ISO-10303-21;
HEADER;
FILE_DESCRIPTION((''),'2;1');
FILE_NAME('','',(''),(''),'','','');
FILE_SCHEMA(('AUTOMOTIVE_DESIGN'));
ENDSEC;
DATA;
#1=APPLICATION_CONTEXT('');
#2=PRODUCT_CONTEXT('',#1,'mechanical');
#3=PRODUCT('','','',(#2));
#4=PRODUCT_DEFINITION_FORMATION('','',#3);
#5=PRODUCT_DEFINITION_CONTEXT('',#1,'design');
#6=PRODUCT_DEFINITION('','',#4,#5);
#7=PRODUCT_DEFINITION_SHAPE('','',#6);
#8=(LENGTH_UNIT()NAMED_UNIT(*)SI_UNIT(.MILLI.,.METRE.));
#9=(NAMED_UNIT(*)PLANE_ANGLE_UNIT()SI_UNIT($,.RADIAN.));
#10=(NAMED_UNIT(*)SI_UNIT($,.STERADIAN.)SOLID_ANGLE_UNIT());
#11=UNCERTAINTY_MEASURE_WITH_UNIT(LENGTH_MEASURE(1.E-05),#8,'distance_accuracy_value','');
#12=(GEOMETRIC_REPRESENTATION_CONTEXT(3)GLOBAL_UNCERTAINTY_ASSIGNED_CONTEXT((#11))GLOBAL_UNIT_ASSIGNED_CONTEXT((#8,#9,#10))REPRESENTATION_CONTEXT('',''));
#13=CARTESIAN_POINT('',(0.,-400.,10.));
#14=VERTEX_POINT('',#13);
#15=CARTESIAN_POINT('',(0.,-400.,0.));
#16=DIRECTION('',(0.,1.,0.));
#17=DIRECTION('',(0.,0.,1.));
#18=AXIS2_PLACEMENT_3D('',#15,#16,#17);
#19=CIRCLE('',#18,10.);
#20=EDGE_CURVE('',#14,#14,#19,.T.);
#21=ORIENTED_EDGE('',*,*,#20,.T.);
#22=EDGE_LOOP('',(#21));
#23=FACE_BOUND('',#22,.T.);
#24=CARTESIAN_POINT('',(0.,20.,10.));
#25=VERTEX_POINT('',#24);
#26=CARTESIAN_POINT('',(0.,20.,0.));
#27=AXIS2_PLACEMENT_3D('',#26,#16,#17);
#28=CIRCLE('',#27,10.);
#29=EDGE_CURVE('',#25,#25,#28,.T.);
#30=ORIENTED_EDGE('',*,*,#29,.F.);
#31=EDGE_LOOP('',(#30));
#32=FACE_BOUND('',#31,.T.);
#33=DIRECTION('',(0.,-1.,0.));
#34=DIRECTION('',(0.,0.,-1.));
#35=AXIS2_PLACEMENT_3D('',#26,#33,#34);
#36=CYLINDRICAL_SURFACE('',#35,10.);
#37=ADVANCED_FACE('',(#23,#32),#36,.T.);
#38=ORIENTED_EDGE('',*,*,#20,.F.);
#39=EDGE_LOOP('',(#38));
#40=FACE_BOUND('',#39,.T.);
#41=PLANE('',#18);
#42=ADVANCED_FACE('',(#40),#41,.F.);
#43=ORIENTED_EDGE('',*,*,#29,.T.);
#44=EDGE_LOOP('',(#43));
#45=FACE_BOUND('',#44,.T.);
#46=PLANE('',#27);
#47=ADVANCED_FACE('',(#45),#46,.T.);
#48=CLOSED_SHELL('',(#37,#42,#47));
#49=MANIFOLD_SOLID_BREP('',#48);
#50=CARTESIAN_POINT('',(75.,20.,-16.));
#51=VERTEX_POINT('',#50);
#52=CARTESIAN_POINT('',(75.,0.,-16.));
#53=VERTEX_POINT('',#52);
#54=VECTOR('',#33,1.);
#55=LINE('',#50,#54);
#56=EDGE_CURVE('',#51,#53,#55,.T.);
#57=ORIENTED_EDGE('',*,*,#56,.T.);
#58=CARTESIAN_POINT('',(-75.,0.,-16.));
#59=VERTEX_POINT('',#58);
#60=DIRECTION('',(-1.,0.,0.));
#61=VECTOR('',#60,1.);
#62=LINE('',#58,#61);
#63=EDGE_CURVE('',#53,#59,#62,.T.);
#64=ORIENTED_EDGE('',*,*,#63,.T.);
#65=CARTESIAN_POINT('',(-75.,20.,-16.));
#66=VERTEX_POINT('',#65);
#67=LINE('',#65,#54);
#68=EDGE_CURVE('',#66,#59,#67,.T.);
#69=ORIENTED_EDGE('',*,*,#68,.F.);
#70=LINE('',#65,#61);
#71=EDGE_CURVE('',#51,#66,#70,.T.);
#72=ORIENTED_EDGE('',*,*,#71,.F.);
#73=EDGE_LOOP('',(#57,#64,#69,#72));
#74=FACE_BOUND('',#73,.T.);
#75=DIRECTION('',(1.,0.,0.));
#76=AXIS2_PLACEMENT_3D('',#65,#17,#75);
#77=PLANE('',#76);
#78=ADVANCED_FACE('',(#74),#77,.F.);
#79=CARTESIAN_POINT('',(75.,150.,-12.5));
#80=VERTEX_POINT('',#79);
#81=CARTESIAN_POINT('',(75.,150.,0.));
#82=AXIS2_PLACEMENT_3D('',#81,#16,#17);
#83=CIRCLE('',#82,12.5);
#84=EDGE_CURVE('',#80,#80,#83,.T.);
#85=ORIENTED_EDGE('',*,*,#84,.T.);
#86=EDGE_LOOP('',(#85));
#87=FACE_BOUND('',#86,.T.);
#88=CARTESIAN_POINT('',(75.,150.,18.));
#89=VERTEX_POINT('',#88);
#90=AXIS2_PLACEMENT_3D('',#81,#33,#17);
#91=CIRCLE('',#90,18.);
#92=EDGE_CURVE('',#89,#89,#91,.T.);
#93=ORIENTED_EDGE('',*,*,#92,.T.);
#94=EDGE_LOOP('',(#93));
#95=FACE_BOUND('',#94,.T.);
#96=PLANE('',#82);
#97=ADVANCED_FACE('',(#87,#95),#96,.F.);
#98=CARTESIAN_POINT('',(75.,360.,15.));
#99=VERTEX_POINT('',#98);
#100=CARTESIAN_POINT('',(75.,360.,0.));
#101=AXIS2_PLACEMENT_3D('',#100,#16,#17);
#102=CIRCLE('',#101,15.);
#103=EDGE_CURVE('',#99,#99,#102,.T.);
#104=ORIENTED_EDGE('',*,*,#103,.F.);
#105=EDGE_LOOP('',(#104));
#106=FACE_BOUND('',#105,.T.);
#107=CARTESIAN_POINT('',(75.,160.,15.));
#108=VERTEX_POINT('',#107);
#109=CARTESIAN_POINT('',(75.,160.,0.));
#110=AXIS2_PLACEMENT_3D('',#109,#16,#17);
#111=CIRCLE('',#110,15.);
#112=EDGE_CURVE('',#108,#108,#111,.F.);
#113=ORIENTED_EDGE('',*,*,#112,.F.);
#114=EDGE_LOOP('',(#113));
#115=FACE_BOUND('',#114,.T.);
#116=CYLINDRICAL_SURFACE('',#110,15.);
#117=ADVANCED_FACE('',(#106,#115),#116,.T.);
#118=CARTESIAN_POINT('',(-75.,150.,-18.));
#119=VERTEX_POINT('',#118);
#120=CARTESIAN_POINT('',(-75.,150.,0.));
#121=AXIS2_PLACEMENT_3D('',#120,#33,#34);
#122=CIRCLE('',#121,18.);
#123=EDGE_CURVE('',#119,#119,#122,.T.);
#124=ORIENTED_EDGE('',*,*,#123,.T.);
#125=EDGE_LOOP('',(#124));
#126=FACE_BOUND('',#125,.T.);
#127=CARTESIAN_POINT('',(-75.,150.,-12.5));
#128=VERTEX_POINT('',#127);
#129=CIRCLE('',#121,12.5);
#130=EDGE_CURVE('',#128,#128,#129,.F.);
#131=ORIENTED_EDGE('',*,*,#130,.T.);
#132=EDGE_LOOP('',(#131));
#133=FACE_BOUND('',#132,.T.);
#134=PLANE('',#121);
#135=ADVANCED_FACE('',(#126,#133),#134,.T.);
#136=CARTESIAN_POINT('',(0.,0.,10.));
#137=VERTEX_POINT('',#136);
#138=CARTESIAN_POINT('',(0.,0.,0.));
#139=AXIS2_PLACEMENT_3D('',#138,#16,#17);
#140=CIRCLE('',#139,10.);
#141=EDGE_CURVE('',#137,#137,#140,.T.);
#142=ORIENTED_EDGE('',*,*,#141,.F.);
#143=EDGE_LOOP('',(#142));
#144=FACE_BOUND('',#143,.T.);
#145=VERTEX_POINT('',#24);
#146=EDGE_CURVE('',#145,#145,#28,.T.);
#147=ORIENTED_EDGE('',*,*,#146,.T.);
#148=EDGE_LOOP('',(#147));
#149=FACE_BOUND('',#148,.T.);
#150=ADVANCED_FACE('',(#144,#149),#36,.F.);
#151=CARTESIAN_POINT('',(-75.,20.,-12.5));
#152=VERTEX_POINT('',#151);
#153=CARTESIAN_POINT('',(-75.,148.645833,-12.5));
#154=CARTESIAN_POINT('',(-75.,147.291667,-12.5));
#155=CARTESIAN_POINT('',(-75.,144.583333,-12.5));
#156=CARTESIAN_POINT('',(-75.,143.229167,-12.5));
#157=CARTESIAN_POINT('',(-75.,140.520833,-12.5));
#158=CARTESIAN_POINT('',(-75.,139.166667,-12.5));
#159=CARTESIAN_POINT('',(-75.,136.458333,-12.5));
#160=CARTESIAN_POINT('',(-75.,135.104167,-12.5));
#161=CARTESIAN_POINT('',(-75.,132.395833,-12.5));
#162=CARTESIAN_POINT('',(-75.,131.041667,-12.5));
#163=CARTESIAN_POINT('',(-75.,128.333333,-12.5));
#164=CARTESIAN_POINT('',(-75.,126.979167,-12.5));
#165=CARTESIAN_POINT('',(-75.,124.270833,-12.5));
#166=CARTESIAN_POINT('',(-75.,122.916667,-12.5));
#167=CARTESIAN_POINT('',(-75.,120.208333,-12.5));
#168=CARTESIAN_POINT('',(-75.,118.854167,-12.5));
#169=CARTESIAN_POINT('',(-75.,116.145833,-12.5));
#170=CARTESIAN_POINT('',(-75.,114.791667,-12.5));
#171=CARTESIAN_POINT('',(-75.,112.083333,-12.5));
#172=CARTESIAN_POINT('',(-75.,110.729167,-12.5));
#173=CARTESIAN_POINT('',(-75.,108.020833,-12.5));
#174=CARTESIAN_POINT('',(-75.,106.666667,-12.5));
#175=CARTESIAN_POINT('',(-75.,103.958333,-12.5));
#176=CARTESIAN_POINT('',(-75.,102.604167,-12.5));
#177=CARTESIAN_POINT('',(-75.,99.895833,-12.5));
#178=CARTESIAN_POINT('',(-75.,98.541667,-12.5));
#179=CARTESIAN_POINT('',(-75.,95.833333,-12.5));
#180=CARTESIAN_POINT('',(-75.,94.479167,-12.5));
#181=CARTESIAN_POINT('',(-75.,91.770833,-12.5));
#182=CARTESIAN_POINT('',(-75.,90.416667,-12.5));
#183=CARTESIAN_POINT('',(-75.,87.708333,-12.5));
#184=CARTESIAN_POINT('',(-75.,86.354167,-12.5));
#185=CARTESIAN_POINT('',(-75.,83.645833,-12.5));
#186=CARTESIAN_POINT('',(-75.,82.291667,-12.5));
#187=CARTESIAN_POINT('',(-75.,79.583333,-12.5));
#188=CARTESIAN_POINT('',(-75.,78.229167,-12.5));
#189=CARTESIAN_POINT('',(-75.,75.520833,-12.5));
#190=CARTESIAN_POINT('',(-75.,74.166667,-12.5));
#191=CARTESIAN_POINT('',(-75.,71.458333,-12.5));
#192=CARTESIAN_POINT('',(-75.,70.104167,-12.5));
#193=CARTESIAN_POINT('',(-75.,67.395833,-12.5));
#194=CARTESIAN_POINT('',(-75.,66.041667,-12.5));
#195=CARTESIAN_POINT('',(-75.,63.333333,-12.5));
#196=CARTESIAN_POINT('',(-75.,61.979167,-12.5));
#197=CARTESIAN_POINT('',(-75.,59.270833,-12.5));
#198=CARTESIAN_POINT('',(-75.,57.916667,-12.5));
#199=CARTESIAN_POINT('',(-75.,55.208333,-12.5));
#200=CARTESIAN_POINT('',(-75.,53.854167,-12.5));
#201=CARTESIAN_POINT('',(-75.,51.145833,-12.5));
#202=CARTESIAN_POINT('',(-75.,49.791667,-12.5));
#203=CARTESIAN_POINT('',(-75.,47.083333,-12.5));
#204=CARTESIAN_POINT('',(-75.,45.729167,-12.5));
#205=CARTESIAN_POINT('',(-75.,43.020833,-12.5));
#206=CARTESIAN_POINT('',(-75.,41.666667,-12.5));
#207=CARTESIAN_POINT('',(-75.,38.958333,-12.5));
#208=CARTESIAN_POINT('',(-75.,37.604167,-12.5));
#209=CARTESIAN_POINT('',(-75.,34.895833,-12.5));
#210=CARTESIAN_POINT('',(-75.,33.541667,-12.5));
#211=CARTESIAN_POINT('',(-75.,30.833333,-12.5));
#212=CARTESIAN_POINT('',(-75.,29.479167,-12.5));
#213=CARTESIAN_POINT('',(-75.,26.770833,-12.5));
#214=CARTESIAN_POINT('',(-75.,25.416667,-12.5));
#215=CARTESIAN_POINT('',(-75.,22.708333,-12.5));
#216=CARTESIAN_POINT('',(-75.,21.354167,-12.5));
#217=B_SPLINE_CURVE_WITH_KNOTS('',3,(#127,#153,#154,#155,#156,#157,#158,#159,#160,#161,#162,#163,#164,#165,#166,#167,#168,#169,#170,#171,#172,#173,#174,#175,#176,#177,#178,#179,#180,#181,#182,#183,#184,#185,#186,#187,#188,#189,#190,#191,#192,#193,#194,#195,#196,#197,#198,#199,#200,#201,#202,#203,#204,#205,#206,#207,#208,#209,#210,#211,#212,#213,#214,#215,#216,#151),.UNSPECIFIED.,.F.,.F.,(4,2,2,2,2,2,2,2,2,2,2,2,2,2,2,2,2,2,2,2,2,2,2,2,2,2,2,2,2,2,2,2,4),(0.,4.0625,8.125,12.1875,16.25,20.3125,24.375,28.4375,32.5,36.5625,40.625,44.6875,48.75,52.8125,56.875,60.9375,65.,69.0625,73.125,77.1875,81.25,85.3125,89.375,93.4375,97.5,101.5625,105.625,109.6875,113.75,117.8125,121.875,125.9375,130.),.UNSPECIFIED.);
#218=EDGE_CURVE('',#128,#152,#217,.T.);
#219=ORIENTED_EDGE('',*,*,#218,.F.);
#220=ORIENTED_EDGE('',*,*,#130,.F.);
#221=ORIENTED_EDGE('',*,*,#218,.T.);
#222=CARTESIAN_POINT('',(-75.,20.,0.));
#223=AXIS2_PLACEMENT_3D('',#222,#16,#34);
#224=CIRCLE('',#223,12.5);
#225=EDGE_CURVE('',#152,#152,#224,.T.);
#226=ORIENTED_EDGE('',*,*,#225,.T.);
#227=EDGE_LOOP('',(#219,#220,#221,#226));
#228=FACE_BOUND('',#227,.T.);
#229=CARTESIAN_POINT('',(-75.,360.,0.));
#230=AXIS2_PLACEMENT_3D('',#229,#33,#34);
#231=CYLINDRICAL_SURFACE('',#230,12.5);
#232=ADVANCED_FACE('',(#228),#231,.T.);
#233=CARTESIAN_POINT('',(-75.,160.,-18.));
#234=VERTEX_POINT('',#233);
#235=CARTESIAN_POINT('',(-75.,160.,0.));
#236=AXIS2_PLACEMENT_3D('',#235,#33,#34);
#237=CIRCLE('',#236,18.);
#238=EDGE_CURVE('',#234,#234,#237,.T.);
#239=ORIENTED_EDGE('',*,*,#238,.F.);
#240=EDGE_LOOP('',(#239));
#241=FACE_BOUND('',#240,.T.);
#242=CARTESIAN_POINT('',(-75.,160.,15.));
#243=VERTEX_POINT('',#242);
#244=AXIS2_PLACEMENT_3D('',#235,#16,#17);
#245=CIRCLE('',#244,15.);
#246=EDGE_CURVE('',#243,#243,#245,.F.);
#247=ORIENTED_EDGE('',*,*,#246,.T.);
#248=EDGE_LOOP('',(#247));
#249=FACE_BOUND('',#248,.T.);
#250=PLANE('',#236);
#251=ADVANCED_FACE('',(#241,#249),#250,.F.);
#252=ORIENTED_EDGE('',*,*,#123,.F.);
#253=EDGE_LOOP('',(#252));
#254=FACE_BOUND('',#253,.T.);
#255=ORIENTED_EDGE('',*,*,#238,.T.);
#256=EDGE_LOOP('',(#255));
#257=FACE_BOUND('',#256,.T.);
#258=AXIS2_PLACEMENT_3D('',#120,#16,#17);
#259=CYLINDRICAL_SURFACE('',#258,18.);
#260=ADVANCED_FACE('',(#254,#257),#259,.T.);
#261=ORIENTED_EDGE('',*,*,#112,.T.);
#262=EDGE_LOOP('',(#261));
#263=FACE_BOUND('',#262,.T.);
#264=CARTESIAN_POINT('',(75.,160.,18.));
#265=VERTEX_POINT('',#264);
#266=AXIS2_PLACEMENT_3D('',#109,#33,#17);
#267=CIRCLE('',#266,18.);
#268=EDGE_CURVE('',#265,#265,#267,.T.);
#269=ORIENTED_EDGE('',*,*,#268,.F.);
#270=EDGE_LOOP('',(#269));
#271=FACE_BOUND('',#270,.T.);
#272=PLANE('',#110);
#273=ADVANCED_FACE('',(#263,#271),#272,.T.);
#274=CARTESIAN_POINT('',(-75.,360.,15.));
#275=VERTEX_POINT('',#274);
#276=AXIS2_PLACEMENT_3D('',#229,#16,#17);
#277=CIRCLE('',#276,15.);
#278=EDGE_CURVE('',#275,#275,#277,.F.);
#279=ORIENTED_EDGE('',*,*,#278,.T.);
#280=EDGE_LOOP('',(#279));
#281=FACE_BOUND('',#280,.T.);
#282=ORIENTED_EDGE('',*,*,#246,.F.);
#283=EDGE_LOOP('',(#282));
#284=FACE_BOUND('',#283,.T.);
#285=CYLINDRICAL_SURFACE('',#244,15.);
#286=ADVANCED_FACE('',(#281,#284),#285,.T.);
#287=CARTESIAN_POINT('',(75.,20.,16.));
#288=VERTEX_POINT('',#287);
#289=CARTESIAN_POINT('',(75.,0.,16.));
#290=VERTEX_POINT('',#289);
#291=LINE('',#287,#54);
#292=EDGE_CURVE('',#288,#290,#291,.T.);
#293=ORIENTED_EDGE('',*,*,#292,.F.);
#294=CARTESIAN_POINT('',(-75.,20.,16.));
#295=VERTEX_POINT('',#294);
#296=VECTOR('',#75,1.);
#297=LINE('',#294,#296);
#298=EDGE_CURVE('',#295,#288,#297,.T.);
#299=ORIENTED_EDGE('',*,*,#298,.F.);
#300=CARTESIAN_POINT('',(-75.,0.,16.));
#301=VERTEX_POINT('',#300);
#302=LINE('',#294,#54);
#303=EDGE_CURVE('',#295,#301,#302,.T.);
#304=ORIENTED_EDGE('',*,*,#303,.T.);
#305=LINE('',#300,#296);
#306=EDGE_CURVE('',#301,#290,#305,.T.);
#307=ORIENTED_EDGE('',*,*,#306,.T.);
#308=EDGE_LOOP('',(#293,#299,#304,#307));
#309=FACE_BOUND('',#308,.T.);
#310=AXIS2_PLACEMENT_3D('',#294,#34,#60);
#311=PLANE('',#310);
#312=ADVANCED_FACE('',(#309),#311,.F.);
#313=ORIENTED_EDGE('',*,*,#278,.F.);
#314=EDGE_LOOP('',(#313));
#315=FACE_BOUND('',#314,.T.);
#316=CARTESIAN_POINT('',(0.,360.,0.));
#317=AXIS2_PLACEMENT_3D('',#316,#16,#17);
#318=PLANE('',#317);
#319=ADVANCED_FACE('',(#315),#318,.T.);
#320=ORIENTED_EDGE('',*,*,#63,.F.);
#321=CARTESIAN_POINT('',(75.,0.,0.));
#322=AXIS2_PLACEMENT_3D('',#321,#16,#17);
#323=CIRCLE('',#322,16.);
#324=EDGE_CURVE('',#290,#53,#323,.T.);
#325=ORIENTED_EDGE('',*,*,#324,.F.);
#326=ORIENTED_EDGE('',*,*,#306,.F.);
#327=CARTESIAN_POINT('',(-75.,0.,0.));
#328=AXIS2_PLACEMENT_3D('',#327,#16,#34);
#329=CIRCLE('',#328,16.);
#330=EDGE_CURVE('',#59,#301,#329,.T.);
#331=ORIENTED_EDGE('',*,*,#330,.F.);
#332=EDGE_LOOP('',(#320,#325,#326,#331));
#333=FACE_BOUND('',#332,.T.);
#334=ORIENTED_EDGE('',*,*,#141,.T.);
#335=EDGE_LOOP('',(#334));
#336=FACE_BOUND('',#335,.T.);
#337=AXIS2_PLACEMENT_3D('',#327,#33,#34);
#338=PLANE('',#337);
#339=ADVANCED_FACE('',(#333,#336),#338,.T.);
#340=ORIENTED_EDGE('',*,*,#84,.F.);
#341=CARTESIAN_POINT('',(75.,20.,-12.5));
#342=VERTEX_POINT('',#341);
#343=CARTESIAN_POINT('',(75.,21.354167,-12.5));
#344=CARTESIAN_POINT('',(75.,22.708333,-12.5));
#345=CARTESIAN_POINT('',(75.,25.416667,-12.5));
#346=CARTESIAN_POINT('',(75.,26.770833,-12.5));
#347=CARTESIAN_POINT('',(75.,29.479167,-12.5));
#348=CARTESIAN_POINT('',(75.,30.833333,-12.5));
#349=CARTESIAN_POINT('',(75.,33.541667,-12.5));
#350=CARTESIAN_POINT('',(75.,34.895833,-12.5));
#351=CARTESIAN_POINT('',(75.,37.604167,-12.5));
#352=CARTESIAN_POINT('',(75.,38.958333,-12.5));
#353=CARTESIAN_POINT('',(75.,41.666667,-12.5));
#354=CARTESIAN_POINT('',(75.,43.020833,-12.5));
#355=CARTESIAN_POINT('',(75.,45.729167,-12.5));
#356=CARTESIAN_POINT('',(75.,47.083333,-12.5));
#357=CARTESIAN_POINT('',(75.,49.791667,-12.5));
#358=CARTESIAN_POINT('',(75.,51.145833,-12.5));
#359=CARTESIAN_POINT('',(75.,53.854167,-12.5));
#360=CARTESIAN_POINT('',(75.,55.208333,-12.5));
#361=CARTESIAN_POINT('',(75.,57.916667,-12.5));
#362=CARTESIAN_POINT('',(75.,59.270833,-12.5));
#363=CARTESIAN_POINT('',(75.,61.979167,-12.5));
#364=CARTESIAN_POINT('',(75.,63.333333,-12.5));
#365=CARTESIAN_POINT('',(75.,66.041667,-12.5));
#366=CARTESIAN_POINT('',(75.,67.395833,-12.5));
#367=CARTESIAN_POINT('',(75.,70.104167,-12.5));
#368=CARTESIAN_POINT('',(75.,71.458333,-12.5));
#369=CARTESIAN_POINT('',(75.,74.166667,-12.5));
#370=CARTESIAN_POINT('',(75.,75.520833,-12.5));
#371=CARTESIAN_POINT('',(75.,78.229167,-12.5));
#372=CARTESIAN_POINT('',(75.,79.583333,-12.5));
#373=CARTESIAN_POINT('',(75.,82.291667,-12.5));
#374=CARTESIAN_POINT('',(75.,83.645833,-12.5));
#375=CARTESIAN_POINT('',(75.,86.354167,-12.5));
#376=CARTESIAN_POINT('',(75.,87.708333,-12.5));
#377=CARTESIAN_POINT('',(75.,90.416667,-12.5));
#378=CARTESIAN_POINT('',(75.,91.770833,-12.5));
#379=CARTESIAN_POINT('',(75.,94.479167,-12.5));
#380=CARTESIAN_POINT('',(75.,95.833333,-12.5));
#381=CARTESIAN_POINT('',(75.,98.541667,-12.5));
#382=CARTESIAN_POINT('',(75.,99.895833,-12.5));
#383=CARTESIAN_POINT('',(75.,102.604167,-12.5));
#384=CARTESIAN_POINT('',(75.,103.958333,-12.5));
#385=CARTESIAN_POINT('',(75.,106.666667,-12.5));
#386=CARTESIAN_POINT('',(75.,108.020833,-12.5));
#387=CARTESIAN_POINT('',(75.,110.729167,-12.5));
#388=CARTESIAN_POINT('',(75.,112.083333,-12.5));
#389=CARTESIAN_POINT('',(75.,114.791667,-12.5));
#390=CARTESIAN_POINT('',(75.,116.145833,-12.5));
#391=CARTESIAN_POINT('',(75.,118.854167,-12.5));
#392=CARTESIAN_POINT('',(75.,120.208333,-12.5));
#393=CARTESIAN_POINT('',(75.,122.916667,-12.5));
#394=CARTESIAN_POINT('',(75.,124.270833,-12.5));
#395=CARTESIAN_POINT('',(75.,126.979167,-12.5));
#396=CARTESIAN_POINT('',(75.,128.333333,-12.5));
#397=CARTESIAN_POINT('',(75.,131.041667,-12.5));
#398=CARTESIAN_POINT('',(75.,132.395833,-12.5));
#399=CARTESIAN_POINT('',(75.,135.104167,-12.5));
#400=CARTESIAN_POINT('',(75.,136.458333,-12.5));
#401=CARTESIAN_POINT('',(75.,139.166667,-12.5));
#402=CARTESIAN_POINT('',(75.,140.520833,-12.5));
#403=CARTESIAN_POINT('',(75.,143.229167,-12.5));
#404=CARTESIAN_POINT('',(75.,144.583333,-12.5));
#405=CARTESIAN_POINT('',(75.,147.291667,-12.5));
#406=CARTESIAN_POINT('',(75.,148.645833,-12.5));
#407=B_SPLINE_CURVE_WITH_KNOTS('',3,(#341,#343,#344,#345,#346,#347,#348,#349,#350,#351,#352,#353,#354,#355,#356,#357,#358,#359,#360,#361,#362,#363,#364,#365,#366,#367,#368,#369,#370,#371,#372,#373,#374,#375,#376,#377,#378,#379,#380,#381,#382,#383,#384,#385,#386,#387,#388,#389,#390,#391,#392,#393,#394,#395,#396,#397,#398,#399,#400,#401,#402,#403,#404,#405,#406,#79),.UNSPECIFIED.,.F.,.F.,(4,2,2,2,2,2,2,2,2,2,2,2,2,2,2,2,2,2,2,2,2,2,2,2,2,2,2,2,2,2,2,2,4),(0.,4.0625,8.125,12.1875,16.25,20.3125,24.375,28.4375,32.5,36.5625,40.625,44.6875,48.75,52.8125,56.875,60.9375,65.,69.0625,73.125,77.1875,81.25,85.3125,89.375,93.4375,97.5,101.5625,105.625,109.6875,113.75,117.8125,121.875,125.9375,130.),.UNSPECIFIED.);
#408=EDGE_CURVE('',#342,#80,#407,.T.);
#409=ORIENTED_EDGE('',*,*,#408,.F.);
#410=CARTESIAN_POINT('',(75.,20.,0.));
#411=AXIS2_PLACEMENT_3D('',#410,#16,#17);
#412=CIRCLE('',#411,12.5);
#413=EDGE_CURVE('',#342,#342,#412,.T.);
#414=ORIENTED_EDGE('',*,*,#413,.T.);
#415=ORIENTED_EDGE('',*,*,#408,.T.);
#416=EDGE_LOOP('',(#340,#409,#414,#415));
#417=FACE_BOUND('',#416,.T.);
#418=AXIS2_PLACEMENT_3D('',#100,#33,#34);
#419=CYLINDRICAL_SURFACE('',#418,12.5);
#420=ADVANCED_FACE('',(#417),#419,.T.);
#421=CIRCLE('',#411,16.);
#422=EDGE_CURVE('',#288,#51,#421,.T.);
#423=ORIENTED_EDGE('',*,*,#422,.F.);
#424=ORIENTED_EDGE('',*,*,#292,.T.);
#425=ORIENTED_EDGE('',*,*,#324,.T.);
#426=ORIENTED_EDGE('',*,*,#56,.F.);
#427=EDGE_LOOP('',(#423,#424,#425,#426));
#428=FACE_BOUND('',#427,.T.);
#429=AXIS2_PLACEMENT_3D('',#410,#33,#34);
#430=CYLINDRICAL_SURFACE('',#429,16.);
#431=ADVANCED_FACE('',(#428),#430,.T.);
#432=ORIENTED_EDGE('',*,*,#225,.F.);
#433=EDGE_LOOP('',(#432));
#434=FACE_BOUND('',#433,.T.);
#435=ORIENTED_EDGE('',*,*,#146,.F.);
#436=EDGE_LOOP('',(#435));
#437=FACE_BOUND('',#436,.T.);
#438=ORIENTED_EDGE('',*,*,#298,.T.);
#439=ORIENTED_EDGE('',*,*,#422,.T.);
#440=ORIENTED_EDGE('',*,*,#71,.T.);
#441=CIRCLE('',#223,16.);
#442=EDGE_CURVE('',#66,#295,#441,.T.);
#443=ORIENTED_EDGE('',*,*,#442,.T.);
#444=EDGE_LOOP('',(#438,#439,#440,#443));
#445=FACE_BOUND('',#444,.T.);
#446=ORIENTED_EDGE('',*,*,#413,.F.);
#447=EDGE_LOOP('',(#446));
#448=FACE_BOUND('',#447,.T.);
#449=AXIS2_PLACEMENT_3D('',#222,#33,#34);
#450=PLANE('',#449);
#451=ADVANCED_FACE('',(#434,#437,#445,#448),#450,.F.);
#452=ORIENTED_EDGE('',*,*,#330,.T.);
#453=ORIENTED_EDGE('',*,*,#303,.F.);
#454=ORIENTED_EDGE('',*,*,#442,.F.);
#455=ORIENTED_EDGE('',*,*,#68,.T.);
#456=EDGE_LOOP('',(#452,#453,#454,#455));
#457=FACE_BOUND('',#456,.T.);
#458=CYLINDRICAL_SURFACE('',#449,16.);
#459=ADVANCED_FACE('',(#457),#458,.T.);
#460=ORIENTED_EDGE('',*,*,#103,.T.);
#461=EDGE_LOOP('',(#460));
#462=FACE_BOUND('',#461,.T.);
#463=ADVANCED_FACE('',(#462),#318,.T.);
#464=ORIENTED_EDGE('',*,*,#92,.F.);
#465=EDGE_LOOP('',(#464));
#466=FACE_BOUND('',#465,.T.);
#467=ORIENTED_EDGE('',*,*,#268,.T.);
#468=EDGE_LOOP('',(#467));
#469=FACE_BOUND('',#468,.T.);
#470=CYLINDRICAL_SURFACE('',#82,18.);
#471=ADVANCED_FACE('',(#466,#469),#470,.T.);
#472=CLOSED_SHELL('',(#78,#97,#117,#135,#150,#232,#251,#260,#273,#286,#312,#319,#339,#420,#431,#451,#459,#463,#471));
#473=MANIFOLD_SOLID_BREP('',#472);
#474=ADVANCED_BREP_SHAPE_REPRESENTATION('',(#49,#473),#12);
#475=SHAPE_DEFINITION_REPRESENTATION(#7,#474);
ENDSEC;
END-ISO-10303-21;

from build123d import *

# Parameters (mm, degrees)
SKETCH1_R                = 10
SKETCH1_R_2              = 12.5
BOSS_EXTRUDE1_DEPTH      = 20
BOSS_EXTRUDE2_DEPTH      = 20
BOSS_EXTRUDE2_DEPTH_BACK = 400
SKETCH1_3_R              = 10
SKETCH1_5_R              = 12.5
BOSS_EXTRUDE3_DEPTH      = 360
SKETCH3_R                = 15
BOSS_EXTRUDE4_DEPTH      = 200
SKETCH4_R                = 18
BOSS_EXTRUDE5_DEPTH      = 10


with BuildPart() as part:
    # Sketch1 → Boss-Extrude1 (new body)
    with BuildSketch(Plane(origin=(0, 0, 0), x_dir=(1, 0, 0), z_dir=(0, 1, 0))):
        with BuildLine():
            Line((-75, 16), (75, 16))
            ThreePointArc((75, 16), (91, 0), (75, -16))
            Line((75, -16), (-75, -16))
            ThreePointArc((-75, -16), (-91, 0), (-75, 16))
        make_face()
        Circle(SKETCH1_R, mode=Mode.SUBTRACT)
        with Locations((75, 0)):
            Circle(SKETCH1_R_2, mode=Mode.SUBTRACT)
        with Locations((-75, 0)):
            Circle(SKETCH1_R_2, mode=Mode.SUBTRACT)
    extrude(amount=BOSS_EXTRUDE1_DEPTH)

    # Sketch1<5> → Boss-Extrude3 (add)
    with BuildSketch(Plane(origin=(0, 0, 0), x_dir=(1, 0, 0), z_dir=(0, 1, 0))):
        with Locations((75, 0)):
            Circle(SKETCH1_5_R)
        with Locations((-75, 0)):
            Circle(SKETCH1_5_R)
    extrude(amount=BOSS_EXTRUDE3_DEPTH)

    # Sketch3 → Boss-Extrude4 (add)
    with BuildSketch(Plane(origin=(0, 360, 0), x_dir=(1, 0, 0), z_dir=(0, 1, 0))):
        with Locations((75, 0)):
            Circle(SKETCH3_R)
        with Locations((-75, 0)):
            Circle(SKETCH3_R)
    extrude(amount=-BOSS_EXTRUDE4_DEPTH)

    # Sketch4 → Boss-Extrude5 (add)
    with BuildSketch(Plane.XZ.offset(-160)):
        with Locations((-75, 0)):
            Circle(SKETCH4_R)
        with Locations((75, 0)):
            Circle(SKETCH4_R)
    extrude(amount=BOSS_EXTRUDE5_DEPTH)


with BuildPart() as body_2:
    # Sketch1<3> → Boss-Extrude2 (new, two sides: drawn at the far end of the back side and taken through both)
    with BuildSketch(Plane(origin=(0, 0, 0), x_dir=(1, 0, 0), z_dir=(0, 1, 0)).offset(-BOSS_EXTRUDE2_DEPTH_BACK)):
        Circle(SKETCH1_3_R)
    extrude(amount=BOSS_EXTRUDE2_DEPTH + BOSS_EXTRUDE2_DEPTH_BACK)


solid = Compound([part.part, body_2.part])
